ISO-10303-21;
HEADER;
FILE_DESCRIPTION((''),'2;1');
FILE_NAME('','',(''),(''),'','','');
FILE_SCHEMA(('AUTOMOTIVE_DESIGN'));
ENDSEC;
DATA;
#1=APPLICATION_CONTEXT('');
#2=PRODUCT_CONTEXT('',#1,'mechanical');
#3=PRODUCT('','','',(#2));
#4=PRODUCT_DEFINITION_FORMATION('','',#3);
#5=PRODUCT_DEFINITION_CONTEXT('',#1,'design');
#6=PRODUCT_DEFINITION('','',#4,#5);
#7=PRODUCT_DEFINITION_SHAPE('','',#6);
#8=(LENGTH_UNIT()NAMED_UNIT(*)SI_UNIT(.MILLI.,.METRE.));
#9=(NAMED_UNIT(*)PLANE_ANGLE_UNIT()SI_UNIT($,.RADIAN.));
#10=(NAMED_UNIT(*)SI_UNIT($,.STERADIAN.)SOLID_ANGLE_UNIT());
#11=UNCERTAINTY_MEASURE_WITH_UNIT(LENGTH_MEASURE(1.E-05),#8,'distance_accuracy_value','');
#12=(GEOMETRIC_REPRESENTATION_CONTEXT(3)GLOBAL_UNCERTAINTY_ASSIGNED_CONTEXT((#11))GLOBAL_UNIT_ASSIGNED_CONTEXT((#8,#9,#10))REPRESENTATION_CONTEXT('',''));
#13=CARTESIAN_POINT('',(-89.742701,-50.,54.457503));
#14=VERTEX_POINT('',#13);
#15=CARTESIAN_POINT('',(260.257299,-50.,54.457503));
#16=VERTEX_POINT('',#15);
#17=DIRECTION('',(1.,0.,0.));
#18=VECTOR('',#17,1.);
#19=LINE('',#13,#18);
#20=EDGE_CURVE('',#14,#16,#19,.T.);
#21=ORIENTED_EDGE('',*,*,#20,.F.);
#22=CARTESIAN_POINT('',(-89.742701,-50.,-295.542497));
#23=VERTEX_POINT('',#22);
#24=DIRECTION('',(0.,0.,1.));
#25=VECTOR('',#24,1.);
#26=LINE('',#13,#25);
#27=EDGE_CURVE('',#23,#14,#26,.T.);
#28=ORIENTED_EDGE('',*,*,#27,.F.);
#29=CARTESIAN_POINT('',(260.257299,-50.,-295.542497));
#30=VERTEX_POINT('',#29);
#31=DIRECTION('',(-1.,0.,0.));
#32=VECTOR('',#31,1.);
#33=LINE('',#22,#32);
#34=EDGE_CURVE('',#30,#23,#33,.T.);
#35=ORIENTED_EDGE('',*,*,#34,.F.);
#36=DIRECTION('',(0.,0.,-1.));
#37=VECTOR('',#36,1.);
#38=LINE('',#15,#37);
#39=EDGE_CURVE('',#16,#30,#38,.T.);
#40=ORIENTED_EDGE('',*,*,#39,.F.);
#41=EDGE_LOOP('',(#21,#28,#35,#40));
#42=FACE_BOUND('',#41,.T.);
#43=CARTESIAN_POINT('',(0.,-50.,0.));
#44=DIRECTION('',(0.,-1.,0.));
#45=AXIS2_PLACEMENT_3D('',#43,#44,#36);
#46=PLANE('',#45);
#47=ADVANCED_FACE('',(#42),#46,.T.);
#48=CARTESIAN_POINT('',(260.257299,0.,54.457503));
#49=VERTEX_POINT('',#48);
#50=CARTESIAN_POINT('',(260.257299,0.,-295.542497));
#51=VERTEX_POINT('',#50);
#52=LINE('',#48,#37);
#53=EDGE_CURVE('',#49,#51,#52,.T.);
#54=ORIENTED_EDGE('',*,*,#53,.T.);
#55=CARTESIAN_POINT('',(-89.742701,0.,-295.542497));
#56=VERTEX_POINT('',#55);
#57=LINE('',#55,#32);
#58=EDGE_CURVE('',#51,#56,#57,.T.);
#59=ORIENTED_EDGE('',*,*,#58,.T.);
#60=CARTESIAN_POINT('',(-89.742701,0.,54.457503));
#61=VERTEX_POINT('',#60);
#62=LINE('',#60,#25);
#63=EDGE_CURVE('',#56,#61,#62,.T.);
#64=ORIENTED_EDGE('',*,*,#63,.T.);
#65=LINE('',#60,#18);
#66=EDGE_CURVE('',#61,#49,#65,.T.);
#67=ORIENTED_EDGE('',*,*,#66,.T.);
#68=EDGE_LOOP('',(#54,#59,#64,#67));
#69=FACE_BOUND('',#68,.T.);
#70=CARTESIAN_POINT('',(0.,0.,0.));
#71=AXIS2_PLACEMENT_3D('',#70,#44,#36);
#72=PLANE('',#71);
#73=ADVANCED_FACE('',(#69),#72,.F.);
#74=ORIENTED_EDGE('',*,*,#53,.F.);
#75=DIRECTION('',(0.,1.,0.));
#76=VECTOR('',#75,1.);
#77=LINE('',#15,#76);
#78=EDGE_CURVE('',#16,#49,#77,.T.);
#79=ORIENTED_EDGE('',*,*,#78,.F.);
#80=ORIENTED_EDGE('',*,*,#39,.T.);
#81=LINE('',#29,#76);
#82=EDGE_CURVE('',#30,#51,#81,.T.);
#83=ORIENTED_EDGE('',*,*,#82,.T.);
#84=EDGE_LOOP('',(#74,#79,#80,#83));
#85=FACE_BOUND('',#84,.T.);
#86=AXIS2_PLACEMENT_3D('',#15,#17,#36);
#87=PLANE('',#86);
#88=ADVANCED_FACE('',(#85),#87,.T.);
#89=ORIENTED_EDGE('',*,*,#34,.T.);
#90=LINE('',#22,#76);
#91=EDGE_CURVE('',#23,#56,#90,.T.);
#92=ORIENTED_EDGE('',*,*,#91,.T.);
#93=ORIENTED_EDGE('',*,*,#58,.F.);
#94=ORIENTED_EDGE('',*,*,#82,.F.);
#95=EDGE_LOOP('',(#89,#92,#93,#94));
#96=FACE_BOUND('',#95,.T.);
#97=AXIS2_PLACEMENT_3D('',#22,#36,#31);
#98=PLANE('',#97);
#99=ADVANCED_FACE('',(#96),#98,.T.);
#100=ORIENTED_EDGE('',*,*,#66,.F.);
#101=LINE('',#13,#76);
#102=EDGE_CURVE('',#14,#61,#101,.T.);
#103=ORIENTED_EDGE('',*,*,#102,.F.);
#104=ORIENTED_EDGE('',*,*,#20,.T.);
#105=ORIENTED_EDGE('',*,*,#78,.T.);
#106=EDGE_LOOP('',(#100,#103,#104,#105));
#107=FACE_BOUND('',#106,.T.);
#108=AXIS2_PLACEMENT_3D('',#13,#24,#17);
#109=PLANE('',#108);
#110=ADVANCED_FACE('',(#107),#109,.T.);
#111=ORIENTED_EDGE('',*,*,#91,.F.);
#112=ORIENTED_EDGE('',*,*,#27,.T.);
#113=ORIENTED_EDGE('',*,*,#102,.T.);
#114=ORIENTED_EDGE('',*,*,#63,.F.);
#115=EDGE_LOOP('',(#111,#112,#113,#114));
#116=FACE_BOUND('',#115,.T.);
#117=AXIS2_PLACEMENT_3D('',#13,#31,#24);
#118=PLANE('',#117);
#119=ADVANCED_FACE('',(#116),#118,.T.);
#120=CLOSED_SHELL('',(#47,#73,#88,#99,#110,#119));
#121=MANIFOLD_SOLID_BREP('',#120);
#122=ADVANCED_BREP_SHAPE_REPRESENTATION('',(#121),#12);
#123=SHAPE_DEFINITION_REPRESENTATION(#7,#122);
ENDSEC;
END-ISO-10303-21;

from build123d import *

# Parameters (mm, degrees)
SKETCH1_W           = 350
SKETCH1_H           = 350
BOSS_EXTRUDE1_DEPTH = 50


with BuildPart() as part:
    # Sketch1 → Boss-Extrude1 (new body)
    with BuildSketch(Plane(origin=(0, 0, 0), x_dir=(1, 0, 0), z_dir=(0, 1, 0))):
        with Locations((85.257298601, 120.542497106)):
            Rectangle(SKETCH1_W, SKETCH1_H)
    extrude(amount=-BOSS_EXTRUDE1_DEPTH)


solid = part.part
